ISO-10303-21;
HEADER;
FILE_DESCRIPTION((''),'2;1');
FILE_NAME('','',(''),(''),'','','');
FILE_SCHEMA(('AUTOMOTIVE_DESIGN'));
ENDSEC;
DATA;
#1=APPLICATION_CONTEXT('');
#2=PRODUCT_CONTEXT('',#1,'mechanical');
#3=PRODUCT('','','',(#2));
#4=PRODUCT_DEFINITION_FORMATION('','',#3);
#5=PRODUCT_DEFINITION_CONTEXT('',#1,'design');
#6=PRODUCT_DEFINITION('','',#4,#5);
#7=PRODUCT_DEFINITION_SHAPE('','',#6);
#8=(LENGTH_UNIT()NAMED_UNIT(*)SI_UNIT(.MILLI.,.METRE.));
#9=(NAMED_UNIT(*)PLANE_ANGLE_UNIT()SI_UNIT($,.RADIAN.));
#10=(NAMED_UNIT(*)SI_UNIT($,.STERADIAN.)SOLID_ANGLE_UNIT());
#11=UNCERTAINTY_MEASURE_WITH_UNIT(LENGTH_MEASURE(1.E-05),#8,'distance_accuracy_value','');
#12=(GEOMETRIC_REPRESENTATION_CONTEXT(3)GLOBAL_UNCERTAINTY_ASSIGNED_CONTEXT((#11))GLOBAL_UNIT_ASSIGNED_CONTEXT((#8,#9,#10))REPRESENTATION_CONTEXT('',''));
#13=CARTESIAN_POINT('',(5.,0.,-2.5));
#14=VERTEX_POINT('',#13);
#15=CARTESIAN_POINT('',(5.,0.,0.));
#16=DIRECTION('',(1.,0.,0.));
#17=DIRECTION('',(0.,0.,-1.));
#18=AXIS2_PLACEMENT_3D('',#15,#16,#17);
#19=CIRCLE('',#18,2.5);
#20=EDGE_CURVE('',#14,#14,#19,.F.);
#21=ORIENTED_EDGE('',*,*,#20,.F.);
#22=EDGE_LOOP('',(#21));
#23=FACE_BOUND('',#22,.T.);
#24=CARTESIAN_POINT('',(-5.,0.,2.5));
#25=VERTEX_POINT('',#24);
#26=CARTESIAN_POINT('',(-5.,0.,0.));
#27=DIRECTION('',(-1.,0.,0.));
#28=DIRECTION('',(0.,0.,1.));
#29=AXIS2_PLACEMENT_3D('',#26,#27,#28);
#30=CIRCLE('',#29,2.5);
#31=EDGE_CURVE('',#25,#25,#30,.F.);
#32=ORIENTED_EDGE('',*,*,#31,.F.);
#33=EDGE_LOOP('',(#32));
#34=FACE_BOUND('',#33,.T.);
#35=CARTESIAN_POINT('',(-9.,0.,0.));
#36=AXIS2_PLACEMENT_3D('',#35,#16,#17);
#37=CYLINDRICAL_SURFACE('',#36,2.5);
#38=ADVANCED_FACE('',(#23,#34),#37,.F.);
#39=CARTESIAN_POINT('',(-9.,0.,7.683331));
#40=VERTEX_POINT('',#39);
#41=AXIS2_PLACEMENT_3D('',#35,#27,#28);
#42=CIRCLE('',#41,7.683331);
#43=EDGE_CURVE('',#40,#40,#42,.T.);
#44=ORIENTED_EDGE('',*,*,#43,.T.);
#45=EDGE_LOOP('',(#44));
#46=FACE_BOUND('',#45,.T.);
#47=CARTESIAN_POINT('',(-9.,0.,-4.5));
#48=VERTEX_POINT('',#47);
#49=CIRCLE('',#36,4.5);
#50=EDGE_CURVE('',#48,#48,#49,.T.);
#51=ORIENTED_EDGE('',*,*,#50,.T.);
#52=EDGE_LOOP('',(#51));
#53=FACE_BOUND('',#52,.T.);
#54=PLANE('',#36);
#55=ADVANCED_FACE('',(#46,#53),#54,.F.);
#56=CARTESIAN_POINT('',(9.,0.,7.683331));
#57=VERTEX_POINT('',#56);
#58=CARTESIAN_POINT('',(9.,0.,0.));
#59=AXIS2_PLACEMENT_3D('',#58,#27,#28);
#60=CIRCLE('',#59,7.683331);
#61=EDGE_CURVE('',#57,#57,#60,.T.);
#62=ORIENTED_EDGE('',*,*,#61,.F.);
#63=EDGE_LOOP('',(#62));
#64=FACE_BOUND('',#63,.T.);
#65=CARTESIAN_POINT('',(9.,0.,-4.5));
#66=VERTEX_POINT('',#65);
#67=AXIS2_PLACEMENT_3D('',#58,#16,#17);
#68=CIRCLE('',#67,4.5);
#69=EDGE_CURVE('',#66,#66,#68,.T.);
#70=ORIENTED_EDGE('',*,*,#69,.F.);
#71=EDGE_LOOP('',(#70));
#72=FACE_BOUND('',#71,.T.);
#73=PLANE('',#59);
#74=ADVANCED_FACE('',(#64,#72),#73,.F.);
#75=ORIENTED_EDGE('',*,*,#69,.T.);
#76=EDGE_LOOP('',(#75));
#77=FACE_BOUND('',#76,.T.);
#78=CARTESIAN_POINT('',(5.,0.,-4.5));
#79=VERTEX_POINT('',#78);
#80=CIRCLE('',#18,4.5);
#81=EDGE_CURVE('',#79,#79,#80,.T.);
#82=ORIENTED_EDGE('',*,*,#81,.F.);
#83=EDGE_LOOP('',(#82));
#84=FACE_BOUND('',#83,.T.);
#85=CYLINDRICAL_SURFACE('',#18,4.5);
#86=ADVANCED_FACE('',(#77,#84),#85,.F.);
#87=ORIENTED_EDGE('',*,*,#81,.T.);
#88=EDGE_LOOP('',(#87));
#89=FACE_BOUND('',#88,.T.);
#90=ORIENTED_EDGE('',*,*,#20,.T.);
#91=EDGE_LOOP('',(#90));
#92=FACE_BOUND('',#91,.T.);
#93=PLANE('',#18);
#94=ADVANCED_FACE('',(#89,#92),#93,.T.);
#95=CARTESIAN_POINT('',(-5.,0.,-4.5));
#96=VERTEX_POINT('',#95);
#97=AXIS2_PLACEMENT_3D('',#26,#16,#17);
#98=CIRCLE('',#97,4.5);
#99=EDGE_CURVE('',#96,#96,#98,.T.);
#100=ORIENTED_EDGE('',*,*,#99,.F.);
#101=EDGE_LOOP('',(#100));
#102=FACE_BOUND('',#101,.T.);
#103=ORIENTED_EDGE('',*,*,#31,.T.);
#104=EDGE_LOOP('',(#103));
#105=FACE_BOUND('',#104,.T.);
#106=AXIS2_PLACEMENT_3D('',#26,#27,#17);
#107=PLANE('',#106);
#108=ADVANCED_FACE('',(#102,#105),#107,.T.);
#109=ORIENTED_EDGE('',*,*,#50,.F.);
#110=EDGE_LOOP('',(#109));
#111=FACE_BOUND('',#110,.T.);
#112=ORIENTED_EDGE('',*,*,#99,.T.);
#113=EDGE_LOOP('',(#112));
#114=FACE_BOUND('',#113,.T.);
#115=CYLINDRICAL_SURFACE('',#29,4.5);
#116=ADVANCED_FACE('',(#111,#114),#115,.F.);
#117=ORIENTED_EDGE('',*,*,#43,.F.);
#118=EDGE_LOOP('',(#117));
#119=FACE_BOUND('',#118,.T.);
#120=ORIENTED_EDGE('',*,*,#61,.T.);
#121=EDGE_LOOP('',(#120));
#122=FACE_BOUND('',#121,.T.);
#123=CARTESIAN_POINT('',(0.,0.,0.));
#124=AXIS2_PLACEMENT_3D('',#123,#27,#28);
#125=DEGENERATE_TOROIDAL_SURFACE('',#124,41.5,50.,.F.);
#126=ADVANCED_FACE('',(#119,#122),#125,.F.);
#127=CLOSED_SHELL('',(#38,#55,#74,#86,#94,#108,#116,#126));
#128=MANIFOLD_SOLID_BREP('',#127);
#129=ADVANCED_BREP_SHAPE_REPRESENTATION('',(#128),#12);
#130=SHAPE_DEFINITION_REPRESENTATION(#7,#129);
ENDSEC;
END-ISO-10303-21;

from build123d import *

# Parameters (mm, degrees)
SKETCH_2_R          = 2.5
CUT_EXTRUDE_1_DEPTH = 19.0000001
SKETCH_3_R          = 4.5
CUT_EXTRUDE_2_DEPTH = 4


with BuildPart() as part:
    # 草圖1 → 旋轉1 (revolve)
    with BuildSketch(Plane.XY):
        with BuildLine():
            Line((-9, 0), (9, 0))
            Line((9, 0), (9, 7.683330509))
            ThreePointArc((9, 7.683330509), (0, 8.5), (-9, 7.683330509))
            Line((-9, 7.683330509), (-9, 0))
        make_face()
    revolve(axis=Axis((-9, 0, 0), (1, 0, 0)))

    # 草圖2 → 除料-伸長1 (cut, through all)
    with BuildSketch(Plane(origin=(9, 0, 0), x_dir=(0, 0, -1), z_dir=(1, 0, 0))):
        Circle(SKETCH_2_R)
    extrude(amount=-CUT_EXTRUDE_1_DEPTH, mode=Mode.SUBTRACT)

    # 草圖3 → 除料-伸長2 (cut)
    with BuildSketch(Plane(origin=(9, 0, 0), x_dir=(0, 0, -1), z_dir=(1, 0, 0))):
        Circle(SKETCH_3_R)
    cut_extrude_2 = extrude(amount=-CUT_EXTRUDE_2_DEPTH, mode=Mode.SUBTRACT)

    # 鏡射1: 除料-伸長2 across plane
    add(cut_extrude_2.mirror(Plane(origin=(0, 0, 0), x_dir=(0, 0, 1), z_dir=(1, 0, 0))), mode=Mode.SUBTRACT)


solid = part.part
